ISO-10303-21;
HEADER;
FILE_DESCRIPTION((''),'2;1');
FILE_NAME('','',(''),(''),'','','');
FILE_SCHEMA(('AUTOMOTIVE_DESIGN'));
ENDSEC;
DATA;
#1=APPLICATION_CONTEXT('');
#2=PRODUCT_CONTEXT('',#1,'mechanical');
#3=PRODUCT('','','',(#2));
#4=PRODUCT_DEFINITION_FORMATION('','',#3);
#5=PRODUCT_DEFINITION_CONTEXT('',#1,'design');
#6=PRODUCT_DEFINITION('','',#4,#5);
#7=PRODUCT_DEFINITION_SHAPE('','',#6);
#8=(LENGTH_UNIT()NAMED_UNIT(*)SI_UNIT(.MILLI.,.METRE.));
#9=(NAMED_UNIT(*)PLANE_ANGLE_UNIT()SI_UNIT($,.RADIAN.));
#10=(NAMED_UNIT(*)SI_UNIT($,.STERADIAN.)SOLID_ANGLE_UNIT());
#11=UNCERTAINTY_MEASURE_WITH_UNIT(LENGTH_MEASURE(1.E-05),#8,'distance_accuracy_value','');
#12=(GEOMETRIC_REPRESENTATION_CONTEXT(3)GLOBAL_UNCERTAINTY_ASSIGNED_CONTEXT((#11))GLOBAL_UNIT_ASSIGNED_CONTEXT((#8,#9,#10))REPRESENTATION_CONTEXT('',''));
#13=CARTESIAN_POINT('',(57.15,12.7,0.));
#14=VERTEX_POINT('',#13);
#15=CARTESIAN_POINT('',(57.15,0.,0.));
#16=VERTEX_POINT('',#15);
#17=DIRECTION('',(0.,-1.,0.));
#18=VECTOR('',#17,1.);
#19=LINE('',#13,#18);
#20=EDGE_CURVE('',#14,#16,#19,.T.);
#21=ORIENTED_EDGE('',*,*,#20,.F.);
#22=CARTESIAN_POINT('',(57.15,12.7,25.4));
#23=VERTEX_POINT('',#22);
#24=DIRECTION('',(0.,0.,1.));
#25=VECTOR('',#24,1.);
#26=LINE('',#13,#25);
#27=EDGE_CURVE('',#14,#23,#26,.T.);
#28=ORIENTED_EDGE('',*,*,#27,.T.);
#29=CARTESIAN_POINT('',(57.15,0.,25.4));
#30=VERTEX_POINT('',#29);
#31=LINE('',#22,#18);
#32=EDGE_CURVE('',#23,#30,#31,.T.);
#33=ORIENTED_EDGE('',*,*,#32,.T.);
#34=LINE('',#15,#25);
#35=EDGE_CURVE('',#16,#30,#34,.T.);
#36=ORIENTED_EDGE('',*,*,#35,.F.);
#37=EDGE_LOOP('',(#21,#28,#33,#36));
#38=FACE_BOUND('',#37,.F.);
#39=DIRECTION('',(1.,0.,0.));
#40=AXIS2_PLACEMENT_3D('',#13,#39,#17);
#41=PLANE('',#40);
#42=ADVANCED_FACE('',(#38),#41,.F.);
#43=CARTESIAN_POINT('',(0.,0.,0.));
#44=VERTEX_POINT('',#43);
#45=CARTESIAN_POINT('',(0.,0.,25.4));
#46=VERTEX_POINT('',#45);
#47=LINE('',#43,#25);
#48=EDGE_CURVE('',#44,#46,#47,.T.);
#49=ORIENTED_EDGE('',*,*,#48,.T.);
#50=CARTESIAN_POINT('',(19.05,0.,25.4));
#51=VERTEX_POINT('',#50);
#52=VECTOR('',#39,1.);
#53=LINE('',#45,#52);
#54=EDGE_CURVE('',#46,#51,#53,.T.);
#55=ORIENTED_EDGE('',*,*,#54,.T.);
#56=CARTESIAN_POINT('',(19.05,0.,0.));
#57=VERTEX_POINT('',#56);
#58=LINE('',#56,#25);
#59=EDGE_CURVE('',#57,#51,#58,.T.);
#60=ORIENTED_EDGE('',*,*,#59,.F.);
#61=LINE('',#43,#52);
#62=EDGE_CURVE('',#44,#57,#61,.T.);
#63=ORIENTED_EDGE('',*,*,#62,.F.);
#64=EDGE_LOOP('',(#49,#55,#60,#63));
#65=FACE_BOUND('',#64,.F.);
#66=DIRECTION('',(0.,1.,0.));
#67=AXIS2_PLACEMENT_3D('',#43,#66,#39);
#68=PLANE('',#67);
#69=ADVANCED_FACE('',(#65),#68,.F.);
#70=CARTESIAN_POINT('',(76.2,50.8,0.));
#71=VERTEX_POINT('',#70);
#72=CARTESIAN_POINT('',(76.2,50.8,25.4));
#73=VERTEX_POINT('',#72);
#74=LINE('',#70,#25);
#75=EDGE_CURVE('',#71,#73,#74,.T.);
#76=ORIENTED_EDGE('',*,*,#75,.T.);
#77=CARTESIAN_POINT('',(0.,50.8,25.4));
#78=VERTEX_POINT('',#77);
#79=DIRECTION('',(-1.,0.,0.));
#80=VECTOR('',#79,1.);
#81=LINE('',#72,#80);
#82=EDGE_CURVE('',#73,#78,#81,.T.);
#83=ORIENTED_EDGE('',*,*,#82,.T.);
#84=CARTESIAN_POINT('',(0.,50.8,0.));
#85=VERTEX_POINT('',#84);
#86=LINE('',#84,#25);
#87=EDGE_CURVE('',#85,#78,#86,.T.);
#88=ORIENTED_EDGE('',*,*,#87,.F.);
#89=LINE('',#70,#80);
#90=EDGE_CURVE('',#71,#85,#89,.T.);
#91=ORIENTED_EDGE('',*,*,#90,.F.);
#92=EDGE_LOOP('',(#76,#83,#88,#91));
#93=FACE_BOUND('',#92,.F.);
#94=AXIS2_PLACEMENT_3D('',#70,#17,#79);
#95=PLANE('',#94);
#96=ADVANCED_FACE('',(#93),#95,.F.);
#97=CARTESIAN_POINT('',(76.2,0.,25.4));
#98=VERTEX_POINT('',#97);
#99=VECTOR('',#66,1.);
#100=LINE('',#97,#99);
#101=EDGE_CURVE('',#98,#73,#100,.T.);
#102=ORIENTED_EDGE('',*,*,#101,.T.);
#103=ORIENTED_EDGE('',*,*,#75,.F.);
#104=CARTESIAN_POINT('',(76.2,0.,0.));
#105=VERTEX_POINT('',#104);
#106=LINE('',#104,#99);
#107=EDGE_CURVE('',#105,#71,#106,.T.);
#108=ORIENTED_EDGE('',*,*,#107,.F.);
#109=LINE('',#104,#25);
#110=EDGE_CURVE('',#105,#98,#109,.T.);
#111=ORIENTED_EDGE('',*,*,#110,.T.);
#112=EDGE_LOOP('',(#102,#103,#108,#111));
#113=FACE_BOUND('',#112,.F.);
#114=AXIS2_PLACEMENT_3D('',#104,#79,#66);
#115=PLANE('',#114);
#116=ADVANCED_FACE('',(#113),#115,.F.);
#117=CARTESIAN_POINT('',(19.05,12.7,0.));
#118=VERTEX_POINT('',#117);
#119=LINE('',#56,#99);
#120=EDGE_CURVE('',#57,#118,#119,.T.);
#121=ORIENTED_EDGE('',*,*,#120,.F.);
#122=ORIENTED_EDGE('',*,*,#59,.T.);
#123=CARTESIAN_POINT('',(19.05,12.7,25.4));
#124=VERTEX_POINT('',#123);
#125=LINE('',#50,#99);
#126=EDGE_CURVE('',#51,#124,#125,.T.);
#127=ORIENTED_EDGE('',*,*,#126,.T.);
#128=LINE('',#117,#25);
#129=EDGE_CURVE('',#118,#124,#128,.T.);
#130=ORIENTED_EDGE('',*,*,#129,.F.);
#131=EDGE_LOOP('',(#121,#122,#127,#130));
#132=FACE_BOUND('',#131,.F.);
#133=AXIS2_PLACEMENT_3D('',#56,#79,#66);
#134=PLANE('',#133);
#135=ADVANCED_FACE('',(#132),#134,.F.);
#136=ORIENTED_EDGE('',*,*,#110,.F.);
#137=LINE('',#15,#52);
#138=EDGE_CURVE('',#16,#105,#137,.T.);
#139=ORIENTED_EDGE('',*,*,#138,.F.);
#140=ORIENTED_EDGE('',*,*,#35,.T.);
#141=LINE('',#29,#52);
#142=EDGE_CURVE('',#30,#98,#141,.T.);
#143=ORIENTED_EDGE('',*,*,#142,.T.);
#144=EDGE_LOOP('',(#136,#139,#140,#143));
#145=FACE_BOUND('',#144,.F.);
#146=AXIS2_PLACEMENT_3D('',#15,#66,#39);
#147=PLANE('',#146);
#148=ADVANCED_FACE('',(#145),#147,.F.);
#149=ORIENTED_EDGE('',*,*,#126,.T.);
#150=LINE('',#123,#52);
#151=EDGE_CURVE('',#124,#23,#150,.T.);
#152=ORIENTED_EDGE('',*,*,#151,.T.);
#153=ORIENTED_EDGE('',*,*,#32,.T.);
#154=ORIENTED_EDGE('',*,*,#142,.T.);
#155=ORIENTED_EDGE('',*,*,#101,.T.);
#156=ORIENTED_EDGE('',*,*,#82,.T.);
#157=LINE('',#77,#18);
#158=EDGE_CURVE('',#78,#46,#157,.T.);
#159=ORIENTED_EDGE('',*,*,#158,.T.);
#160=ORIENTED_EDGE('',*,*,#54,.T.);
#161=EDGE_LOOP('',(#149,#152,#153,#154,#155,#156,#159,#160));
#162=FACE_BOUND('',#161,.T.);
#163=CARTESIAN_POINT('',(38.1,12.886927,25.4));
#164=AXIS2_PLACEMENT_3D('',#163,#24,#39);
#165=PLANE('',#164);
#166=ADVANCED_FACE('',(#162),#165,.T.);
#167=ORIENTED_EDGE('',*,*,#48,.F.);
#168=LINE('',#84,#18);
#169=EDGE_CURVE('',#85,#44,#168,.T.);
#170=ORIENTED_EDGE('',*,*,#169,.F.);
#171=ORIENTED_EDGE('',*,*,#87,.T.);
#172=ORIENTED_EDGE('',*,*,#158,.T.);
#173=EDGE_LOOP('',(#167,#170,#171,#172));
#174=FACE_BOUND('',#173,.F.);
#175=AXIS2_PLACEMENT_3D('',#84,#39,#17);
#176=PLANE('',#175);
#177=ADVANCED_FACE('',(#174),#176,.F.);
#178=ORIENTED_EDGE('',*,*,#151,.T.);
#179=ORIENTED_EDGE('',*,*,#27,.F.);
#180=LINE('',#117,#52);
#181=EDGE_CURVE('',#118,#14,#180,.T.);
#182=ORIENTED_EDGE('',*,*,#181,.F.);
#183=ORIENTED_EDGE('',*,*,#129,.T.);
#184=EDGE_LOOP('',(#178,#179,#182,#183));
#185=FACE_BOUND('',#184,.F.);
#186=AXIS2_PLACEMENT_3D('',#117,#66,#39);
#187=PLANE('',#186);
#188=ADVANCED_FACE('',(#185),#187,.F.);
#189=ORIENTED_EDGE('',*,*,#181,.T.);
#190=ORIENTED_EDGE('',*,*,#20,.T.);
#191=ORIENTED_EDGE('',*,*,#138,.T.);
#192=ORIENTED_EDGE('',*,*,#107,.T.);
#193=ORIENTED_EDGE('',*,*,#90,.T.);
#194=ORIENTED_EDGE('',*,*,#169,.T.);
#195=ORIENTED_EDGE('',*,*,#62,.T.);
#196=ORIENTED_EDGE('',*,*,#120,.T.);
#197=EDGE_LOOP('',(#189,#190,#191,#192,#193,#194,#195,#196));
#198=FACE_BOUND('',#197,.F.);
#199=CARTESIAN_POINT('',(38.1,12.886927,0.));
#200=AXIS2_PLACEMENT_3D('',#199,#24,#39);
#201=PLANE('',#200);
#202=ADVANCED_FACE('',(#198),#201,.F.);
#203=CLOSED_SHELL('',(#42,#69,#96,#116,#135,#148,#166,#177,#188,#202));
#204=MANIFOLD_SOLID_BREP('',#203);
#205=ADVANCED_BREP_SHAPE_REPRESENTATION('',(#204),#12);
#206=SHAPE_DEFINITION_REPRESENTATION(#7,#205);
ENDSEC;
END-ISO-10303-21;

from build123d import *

# Parameters (mm, degrees)
F0_W     = 25.4
F0_H     = 12.7
F1_DEPTH = 25.4


with BuildPart() as f1:
    # F0 (on Top) → F1 (new body)
    with BuildSketch(Plane.XY):
        Polygon((38.1, 38.1), (0, 0), (19.05, 0), (19.05, 12.7), (57.15, 12.7), (57.15, 0), (76.2, 0), align=None)
        Polygon((0, 38.1), (0, 0), (38.1, 38.1), (25.4, 38.1), align=None)
        with Locations((12.7, 44.45)):
            Rectangle(F0_W, F0_H)
        Polygon((25.4, 38.1), (38.1, 38.1), (50.8, 38.1), (50.8, 50.8), (25.4, 50.8), align=None)
        Polygon((50.8, 38.1), (38.1, 38.1), (76.2, 0), (76.2, 38.1), align=None)
        with Locations((63.5, 44.45)):
            Rectangle(F0_W, F0_H)
    extrude(amount=F1_DEPTH)


solid = f1.part
